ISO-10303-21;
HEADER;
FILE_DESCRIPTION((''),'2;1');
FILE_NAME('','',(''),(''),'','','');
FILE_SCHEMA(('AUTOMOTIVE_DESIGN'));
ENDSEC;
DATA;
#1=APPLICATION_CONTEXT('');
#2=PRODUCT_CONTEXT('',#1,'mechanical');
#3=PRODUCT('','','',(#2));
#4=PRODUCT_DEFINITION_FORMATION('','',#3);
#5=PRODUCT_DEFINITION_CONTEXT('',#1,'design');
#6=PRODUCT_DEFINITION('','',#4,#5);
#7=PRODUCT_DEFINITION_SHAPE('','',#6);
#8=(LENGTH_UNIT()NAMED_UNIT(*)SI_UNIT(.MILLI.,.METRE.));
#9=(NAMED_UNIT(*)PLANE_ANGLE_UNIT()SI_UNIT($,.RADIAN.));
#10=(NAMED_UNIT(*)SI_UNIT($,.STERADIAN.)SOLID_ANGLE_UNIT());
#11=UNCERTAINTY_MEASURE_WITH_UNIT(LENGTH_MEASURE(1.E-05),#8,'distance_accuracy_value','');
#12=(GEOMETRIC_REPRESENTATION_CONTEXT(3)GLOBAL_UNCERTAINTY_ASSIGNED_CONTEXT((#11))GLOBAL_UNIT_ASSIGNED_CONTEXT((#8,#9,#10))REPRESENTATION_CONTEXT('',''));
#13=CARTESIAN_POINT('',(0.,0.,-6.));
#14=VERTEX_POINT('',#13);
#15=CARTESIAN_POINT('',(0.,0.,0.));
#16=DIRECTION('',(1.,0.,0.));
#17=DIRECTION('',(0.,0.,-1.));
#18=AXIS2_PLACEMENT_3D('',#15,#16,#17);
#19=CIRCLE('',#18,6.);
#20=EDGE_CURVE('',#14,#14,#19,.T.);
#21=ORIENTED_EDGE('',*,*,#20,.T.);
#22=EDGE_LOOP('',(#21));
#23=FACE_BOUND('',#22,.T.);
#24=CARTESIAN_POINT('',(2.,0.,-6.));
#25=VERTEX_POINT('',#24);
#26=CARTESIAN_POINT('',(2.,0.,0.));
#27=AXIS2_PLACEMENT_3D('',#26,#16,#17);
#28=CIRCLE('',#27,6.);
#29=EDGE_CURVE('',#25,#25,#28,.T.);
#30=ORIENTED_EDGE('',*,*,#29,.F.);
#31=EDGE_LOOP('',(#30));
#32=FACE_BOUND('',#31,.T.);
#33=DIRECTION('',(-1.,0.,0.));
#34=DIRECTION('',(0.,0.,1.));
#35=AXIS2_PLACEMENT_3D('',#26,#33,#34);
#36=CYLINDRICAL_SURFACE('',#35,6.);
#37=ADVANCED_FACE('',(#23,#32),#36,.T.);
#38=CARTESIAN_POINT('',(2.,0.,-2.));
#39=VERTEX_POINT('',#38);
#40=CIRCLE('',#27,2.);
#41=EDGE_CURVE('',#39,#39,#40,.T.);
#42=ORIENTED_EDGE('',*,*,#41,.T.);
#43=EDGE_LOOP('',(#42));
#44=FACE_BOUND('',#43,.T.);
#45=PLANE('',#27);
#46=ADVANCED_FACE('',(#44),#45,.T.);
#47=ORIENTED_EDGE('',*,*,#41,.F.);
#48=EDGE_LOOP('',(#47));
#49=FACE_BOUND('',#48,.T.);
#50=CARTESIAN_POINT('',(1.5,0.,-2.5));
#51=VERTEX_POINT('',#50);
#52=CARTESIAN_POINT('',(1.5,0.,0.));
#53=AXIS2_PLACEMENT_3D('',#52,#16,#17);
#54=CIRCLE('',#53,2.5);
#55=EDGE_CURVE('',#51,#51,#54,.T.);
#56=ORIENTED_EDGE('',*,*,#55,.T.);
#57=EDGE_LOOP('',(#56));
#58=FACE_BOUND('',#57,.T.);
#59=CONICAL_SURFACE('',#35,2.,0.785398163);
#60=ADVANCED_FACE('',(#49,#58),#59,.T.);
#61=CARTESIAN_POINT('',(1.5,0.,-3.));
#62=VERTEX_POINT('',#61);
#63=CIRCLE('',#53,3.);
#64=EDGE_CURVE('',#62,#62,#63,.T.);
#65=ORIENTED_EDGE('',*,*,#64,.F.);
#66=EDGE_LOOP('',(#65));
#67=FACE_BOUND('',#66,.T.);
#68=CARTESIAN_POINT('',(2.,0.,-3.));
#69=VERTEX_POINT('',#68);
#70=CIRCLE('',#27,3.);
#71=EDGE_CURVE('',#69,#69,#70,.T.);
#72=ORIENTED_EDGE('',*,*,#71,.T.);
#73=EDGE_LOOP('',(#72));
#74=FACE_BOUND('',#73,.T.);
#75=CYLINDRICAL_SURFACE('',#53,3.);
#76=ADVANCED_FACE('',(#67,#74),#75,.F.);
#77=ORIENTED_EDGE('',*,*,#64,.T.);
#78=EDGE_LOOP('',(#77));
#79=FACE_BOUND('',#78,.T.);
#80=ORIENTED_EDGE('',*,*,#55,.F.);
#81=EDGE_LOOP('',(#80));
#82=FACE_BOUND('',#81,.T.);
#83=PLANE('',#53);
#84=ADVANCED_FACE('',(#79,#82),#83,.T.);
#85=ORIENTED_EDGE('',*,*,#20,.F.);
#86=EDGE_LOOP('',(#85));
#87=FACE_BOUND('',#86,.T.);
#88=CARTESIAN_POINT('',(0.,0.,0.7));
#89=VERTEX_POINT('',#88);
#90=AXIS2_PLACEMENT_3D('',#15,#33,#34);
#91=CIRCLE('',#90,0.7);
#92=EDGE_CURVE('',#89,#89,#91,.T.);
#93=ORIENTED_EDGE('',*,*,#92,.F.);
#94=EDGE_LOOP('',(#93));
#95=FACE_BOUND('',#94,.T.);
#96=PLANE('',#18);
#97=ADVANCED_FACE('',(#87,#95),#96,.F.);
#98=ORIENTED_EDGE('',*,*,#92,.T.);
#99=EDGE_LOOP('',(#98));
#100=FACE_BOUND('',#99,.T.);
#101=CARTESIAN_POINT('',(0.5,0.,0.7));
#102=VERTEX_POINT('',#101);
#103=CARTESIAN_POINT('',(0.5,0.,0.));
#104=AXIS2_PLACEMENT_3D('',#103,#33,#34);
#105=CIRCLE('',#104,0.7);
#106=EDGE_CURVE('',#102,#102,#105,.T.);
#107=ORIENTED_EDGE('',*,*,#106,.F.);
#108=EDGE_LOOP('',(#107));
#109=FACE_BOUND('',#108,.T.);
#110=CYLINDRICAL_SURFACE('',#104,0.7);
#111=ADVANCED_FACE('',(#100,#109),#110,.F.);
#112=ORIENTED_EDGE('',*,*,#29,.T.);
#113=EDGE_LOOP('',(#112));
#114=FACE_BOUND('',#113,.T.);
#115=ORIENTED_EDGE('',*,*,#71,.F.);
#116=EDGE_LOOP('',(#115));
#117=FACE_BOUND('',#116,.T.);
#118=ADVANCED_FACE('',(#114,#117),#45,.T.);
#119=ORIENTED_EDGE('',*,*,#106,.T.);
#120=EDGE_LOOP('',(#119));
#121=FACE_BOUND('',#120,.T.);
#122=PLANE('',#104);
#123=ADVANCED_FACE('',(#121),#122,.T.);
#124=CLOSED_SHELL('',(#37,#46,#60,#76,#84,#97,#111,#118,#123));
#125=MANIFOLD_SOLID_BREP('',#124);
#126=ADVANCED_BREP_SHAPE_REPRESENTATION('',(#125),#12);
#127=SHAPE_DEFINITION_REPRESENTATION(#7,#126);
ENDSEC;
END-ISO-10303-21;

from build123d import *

# Parameters (mm, degrees)
SKETCH1_R           = 6
BOSS_EXTRUDE1_DEPTH = 2
SKETCH2_R           = 0.7
CUT_EXTRUDE1_DEPTH  = 0.5
SKETCH3_R           = 3
CUT_EXTRUDE2_DEPTH  = 0.5
SKETCH5_R           = 2
SKETCH4_R           = 2.5


with BuildPart() as part:
    # Sketch1 → Boss-Extrude1 (new body)
    with BuildSketch(Plane(origin=(0, 0, 0), x_dir=(0, 0, -1), z_dir=(1, 0, 0))):
        Circle(SKETCH1_R)
    extrude(amount=BOSS_EXTRUDE1_DEPTH)

    # Sketch2 → Cut-Extrude1 (cut)
    with BuildSketch(Plane.ZY):
        Circle(SKETCH2_R)
    extrude(amount=-CUT_EXTRUDE1_DEPTH, mode=Mode.SUBTRACT)

    # Sketch3 → Cut-Extrude2 (cut)
    with BuildSketch(Plane(origin=(2, 0, 0), x_dir=(0, 0, -1), z_dir=(1, 0, 0))):
        Circle(SKETCH3_R)
    extrude(amount=-CUT_EXTRUDE2_DEPTH, mode=Mode.SUBTRACT)

    # Sketch5 → Loft1 section 0
    with BuildSketch(Plane(origin=(2, 0, 0), x_dir=(0, 0, -1), z_dir=(1, 0, 0))):
        Circle(SKETCH5_R)
    # Sketch4 → Loft1 section 1
    with BuildSketch(Plane(origin=(1.5, 0, 0), x_dir=(0, 0, -1), z_dir=(1, 0, 0))):
        Circle(SKETCH4_R)
    loft()


solid = part.part
